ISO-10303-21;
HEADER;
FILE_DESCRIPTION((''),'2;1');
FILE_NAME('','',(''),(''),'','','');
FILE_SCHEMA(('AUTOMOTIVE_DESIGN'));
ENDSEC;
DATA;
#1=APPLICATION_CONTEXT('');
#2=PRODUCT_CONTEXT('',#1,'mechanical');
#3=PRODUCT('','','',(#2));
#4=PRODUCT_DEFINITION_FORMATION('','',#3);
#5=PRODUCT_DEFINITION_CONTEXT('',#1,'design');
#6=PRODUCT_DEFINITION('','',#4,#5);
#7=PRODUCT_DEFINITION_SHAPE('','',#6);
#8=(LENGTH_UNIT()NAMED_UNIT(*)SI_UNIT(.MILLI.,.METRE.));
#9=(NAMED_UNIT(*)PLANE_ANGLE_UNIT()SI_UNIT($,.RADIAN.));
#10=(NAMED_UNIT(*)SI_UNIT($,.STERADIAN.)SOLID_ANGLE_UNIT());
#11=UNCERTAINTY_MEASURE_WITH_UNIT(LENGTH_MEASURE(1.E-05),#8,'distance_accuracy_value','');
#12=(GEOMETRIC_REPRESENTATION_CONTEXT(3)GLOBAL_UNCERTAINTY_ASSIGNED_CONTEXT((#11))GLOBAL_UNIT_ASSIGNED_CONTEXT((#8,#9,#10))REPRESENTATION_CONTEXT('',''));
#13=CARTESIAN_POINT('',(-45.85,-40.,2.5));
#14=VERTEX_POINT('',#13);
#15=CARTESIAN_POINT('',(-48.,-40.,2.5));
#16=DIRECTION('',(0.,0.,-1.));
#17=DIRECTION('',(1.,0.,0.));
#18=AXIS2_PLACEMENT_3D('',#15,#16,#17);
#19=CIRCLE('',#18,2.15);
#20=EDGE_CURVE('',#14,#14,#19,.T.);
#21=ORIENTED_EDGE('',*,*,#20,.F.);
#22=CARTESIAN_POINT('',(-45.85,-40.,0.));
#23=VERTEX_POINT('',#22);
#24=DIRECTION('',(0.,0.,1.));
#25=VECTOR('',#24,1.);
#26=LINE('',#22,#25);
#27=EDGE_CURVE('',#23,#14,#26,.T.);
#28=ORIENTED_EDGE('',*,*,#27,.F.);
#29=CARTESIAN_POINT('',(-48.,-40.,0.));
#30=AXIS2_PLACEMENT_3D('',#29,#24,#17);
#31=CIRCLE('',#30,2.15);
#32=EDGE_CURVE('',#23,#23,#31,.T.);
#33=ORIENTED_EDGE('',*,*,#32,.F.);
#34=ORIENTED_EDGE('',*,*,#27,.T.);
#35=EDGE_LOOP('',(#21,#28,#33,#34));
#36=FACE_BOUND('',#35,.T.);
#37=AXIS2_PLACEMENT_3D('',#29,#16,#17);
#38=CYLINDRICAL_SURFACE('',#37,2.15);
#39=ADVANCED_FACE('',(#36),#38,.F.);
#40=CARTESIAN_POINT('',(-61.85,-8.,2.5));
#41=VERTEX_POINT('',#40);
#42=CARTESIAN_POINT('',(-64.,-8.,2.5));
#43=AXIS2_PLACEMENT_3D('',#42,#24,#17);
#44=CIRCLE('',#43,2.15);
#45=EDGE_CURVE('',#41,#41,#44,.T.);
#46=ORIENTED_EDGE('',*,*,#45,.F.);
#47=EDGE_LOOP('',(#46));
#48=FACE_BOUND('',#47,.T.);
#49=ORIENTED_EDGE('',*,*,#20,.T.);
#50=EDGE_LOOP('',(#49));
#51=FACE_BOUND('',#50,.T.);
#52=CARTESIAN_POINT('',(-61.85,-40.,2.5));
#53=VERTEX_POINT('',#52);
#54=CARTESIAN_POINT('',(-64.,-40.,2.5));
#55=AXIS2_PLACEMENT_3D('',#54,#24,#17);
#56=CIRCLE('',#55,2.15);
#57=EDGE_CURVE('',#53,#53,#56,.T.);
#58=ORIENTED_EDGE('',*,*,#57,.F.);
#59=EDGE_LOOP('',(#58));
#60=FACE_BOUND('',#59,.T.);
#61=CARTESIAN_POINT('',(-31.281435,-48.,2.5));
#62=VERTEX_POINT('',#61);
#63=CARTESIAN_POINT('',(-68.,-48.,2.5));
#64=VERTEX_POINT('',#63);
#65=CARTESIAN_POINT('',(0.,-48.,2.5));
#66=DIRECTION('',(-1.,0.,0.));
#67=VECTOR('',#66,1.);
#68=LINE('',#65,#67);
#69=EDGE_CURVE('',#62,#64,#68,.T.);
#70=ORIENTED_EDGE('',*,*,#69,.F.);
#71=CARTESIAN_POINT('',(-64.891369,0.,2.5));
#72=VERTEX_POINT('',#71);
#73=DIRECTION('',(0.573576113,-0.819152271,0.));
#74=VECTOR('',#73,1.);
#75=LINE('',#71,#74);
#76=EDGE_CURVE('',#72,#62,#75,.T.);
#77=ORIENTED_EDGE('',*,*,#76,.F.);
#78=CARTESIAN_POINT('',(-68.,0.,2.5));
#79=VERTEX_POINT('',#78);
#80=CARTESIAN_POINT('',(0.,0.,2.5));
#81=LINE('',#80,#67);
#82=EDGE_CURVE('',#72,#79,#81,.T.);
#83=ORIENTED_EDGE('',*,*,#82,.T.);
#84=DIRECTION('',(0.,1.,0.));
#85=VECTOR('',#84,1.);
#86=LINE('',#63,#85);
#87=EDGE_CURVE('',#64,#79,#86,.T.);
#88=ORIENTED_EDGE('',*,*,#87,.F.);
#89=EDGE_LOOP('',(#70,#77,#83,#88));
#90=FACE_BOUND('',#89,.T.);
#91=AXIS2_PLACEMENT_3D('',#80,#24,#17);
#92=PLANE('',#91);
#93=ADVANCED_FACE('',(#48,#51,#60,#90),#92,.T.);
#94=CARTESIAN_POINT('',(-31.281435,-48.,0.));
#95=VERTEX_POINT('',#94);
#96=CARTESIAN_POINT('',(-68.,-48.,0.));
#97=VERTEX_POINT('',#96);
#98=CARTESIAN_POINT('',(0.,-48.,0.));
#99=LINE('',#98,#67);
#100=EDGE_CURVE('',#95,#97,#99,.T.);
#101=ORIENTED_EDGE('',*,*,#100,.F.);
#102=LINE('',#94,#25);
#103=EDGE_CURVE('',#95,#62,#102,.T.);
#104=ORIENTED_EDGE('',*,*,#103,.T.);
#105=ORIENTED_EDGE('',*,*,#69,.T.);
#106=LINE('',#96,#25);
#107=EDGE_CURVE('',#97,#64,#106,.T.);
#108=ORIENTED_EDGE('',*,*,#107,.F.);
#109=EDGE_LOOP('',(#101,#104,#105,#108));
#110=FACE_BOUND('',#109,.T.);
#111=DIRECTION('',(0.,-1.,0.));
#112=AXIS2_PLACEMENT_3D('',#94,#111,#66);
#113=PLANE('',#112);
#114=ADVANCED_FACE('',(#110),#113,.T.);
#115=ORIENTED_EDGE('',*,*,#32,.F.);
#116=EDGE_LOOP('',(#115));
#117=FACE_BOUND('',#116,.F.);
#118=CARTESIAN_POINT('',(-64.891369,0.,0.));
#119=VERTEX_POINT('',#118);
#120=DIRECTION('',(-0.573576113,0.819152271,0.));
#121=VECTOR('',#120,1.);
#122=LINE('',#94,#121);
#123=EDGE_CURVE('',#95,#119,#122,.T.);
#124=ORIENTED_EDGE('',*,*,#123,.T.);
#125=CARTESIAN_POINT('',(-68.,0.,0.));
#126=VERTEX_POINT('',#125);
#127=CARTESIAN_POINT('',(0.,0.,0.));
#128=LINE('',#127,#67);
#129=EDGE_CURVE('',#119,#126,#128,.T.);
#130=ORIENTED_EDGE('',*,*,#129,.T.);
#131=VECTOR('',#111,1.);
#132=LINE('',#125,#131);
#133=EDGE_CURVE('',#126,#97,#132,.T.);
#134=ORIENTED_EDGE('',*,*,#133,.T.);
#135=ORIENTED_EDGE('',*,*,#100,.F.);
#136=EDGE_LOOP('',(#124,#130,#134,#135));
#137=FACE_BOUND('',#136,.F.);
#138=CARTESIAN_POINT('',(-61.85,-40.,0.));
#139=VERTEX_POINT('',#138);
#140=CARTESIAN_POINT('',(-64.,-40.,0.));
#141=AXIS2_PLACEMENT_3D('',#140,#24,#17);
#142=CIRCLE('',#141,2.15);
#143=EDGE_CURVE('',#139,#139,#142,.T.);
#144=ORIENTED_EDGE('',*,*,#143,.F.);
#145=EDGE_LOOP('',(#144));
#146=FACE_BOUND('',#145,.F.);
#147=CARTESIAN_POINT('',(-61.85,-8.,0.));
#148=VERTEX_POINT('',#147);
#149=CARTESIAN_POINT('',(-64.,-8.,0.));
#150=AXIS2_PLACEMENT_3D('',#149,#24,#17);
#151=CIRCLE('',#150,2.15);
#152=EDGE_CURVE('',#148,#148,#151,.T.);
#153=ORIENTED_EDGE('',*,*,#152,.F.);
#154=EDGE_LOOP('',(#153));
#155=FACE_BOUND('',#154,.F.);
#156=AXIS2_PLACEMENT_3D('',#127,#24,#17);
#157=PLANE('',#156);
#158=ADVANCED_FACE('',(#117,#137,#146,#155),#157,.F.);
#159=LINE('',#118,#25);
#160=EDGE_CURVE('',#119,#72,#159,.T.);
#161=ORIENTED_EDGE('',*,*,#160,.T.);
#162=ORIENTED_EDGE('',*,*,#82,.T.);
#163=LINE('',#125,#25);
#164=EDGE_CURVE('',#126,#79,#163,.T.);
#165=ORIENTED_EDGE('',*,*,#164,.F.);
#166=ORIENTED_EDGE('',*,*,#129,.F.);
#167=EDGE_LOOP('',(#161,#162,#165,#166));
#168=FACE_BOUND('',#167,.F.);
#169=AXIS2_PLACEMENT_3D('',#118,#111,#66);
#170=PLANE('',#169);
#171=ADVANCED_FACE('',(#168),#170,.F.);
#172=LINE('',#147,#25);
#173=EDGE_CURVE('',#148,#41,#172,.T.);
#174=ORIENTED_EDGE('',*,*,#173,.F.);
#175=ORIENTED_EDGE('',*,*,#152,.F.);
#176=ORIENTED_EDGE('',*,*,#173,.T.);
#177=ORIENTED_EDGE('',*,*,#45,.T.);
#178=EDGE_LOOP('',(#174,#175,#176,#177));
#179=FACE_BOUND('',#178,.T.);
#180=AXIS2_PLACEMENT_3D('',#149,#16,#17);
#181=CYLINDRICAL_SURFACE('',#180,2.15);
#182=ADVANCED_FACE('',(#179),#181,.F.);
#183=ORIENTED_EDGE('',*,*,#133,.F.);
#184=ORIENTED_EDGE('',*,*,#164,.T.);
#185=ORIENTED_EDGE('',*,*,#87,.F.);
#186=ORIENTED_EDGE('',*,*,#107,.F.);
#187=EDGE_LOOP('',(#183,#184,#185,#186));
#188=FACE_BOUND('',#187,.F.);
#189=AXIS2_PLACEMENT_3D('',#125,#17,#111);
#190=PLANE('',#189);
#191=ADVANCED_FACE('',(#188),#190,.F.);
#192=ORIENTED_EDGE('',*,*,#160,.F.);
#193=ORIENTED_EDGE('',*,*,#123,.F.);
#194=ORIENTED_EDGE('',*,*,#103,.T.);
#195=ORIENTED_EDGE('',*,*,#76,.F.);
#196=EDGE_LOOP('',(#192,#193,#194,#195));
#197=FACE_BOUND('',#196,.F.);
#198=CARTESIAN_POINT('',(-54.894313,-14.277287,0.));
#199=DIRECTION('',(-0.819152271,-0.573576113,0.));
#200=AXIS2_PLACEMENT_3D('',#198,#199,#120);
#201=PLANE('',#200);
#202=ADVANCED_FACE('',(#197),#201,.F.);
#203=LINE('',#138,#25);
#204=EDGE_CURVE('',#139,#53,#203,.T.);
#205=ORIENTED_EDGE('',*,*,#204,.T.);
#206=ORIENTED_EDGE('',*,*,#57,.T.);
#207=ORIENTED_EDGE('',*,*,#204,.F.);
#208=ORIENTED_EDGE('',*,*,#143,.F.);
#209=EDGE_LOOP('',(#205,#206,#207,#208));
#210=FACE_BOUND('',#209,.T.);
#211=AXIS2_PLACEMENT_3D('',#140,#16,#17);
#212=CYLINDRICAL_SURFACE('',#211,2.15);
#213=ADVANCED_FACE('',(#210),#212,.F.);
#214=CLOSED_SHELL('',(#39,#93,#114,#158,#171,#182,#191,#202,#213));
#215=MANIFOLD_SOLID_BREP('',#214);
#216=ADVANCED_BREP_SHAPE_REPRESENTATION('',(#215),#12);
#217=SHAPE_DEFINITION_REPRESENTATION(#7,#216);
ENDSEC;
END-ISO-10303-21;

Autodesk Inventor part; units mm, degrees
ref_plane "YZ Plane" through (0, 0, 0) normal (1, 0, 0) x (0, 1, 0)
ref_plane "XZ Plane" through (0, 0, 0) normal (0, 1, 0) x (-1, 0, 0)
ref_plane "XY Plane" through (0, 0, 0) normal (0, 0, 1) x (1, 0, 0)
sketch "Sketch1" plane through (0, 0, 0) normal (0, 0, 1) x (1, 0, 0)
  line L0 (0, 0) -> (-96, 0) projected
  line L1 (-96, 0) -> (-96, -48) projected
  line L2 (0, -48) -> (-96, -48) projected
  line L3 (0, 0) -> (0, -48) projected
  line L4 (-31.0711, -33.8995) -> (-30.5858, -33.4142) projected
  arc A0 (-33.8995, -31.0711) -> (-31.0711, -33.8995) centre (-32.4853, -32.4853) ccw projected
  line L5 (-33.8995, -31.0711) -> (-33.4142, -30.5858) projected
  arc A1 (-30.5858, -33.4142) -> (-33.4142, -30.5858) centre (-32, -32) ccw projected
  circle A2 centre (-16, -40) radius 2 projected
  circle A3 centre (-32, -40) radius 2 projected
  arc A4 (-38.5858, -30.5858) -> (-41.4142, -33.4142) centre (-40, -32) ccw projected
  line L6 (-38.1005, -31.0711) -> (-38.5858, -30.5858) projected
  arc A5 (-40.9289, -33.8995) -> (-38.1005, -31.0711) centre (-39.5147, -32.4853) ccw projected
  line L7 (-40.9289, -33.8995) -> (-41.4142, -33.4142) projected
  arc A6 (-41.4142, -14.5858) -> (-38.5858, -17.4142) centre (-40, -16) ccw projected
  line L8 (-40.9289, -14.1005) -> (-41.4142, -14.5858) projected
  arc A7 (-38.1005, -16.9289) -> (-40.9289, -14.1005) centre (-39.5147, -15.5147) ccw projected
  line L9 (-38.1005, -16.9289) -> (-38.5858, -17.4142) projected
  circle A8 centre (-40, -8) radius 2 projected
  arc A9 (-9.4142, -17.4142) -> (-6.5858, -14.5858) centre (-8, -16) ccw projected
  line L10 (-9.8995, -16.9289) -> (-9.4142, -17.4142) projected
  arc A10 (-7.0711, -14.1005) -> (-9.8995, -16.9289) centre (-8.4853, -15.5147) ccw projected
  line L11 (-7.0711, -14.1005) -> (-6.5858, -14.5858) projected
  circle A11 centre (-24, -24) radius 7 projected
  line L12 (-22, -8) -> (-22, -12.6863) projected
  arc A12 (-26, -12.6863) -> (-22, -12.6863) centre (-24, -12.6863) ccw projected
  line L13 (-26, -8) -> (-26, -12.6863) projected
  arc A13 (-22, -8) -> (-26, -8) centre (-24, -8) ccw projected
  line L14 (-11.3137, -26) -> (-12.6863, -26) projected
  arc A14 (-12.6863, -22) -> (-12.6863, -26) centre (-12.6863, -24) ccw projected
  line L15 (-12.6863, -22) -> (-11.3137, -22) projected
  arc A15 (-11.3137, -26) -> (-11.3137, -22) centre (-11.3137, -24) ccw projected
  line L16 (-26, -40) -> (-26, -35.3137) projected
  arc A16 (-22, -35.3137) -> (-26, -35.3137) centre (-24, -35.3137) ccw projected
  line L17 (-22, -40) -> (-22, -35.3137) projected
  arc A17 (-26, -40) -> (-22, -40) centre (-24, -40) ccw projected
  line L18 (-36.6863, -22) -> (-35.3137, -22) projected
  arc A18 (-35.3137, -26) -> (-35.3137, -22) centre (-35.3137, -24) ccw projected
  line L19 (-35.3137, -26) -> (-36.6863, -26) projected
  arc A19 (-36.6863, -22) -> (-36.6863, -26) centre (-36.6863, -24) ccw projected
  circle A20 centre (-16, -8) radius 2 projected
  circle A21 centre (-8, -8) radius 2 projected
  arc A22 (-6.5858, -33.4142) -> (-9.4142, -30.5858) centre (-8, -32) ccw projected
  line L20 (-7.0711, -33.8995) -> (-6.5858, -33.4142) projected
  arc A23 (-9.8995, -31.0711) -> (-7.0711, -33.8995) centre (-8.4853, -32.4853) ccw projected
  line L21 (-9.8995, -31.0711) -> (-9.4142, -30.5858) projected
  circle A24 centre (-8, -40) radius 2 projected
  circle A25 centre (-32, -8) radius 2 projected
  circle A26 centre (-40, -40) radius 2 projected
  line L22 (-14.1005, -31.0711) -> (-14.5858, -30.5858) projected
  arc A27 (-16.9289, -33.8995) -> (-14.1005, -31.0711) centre (-15.5147, -32.4853) ccw projected
  line L23 (-16.9289, -33.8995) -> (-17.4142, -33.4142) projected
  arc A28 (-14.5858, -30.5858) -> (-17.4142, -33.4142) centre (-16, -32) ccw projected
  arc A29 (-17.4142, -14.5858) -> (-14.5858, -17.4142) centre (-16, -16) ccw projected
  line L24 (-16.9289, -14.1005) -> (-17.4142, -14.5858) projected
  arc A30 (-14.1005, -16.9289) -> (-16.9289, -14.1005) centre (-15.5147, -15.5147) ccw projected
  line L25 (-14.1005, -16.9289) -> (-14.5858, -17.4142) projected
  line L26 (-31.0711, -14.1005) -> (-30.5858, -14.5858) projected
  arc A31 (-33.4142, -17.4142) -> (-30.5858, -14.5858) centre (-32, -16) ccw projected
  line L27 (-33.8995, -16.9289) -> (-33.4142, -17.4142) projected
  arc A32 (-31.0711, -14.1005) -> (-33.8995, -16.9289) centre (-32.4853, -15.5147) ccw projected
  line L28 (-79.0711, -14.1005) -> (-78.5858, -14.5858) projected
  arc A33 (-81.4142, -17.4142) -> (-78.5858, -14.5858) centre (-80, -16) ccw projected
  line L29 (-81.8995, -16.9289) -> (-81.4142, -17.4142) projected
  arc A34 (-79.0711, -14.1005) -> (-81.8995, -16.9289) centre (-80.4853, -15.5147) ccw projected
  circle A35 centre (-88, -40) radius 2 projected
  circle A36 centre (-80, -8) radius 2 projected
  line L30 (-84.6863, -22) -> (-83.3137, -22) projected
  arc A37 (-83.3137, -26) -> (-83.3137, -22) centre (-83.3137, -24) ccw projected
  line L31 (-83.3137, -26) -> (-84.6863, -26) projected
  arc A38 (-84.6863, -22) -> (-84.6863, -26) centre (-84.6863, -24) ccw projected
  line L32 (-74, -40) -> (-74, -35.3137) projected
  arc A39 (-70, -35.3137) -> (-74, -35.3137) centre (-72, -35.3137) ccw projected
  line L33 (-70, -40) -> (-70, -35.3137) projected
  arc A40 (-74, -40) -> (-70, -40) centre (-72, -40) ccw projected
  line L34 (-70, -8) -> (-70, -12.6863) projected
  arc A41 (-74, -12.6863) -> (-70, -12.6863) centre (-72, -12.6863) ccw projected
  line L35 (-74, -8) -> (-74, -12.6863) projected
  arc A42 (-70, -8) -> (-74, -8) centre (-72, -8) ccw projected
  circle A43 centre (-72, -24) radius 7 projected
  circle A44 centre (-88, -8) radius 2 projected
  arc A45 (-89.4142, -14.5858) -> (-86.5858, -17.4142) centre (-88, -16) ccw projected
  line L36 (-88.9289, -14.1005) -> (-89.4142, -14.5858) projected
  arc A46 (-86.1005, -16.9289) -> (-88.9289, -14.1005) centre (-87.5147, -15.5147) ccw projected
  line L37 (-86.1005, -16.9289) -> (-86.5858, -17.4142) projected
  arc A47 (-86.5858, -30.5858) -> (-89.4142, -33.4142) centre (-88, -32) ccw projected
  line L38 (-86.1005, -31.0711) -> (-86.5858, -30.5858) projected
  arc A48 (-88.9289, -33.8995) -> (-86.1005, -31.0711) centre (-87.5147, -32.4853) ccw projected
  line L39 (-88.9289, -33.8995) -> (-89.4142, -33.4142) projected
  circle A49 centre (-80, -40) radius 2 projected
  line L40 (-79.0711, -33.8995) -> (-78.5858, -33.4142) projected
  arc A50 (-81.8995, -31.0711) -> (-79.0711, -33.8995) centre (-80.4853, -32.4853) ccw projected
  line L41 (-81.8995, -31.0711) -> (-81.4142, -30.5858) projected
  arc A51 (-78.5858, -33.4142) -> (-81.4142, -30.5858) centre (-80, -32) ccw projected
  line L42 (-55.0711, -14.1005) -> (-54.5858, -14.5858) projected
  arc A52 (-57.4142, -17.4142) -> (-54.5858, -14.5858) centre (-56, -16) ccw projected
  line L43 (-57.8995, -16.9289) -> (-57.4142, -17.4142) projected
  arc A53 (-55.0711, -14.1005) -> (-57.8995, -16.9289) centre (-56.4853, -15.5147) ccw projected
  circle A54 centre (-64, -40) radius 2 projected
  circle A55 centre (-56, -8) radius 2 projected
  line L44 (-60.6863, -22) -> (-59.3137, -22) projected
  arc A56 (-59.3137, -26) -> (-59.3137, -22) centre (-59.3137, -24) ccw projected
  line L45 (-59.3137, -26) -> (-60.6863, -26) projected
  arc A57 (-60.6863, -22) -> (-60.6863, -26) centre (-60.6863, -24) ccw projected
  line L46 (-50, -40) -> (-50, -35.3137) projected
  arc A58 (-46, -35.3137) -> (-50, -35.3137) centre (-48, -35.3137) ccw projected
  line L47 (-46, -40) -> (-46, -35.3137) projected
  arc A59 (-50, -40) -> (-46, -40) centre (-48, -40) ccw projected
  line L48 (-46, -8) -> (-46, -12.6863) projected
  arc A60 (-50, -12.6863) -> (-46, -12.6863) centre (-48, -12.6863) ccw projected
  line L49 (-50, -8) -> (-50, -12.6863) projected
  arc A61 (-46, -8) -> (-50, -8) centre (-48, -8) ccw projected
  circle A62 centre (-48, -24) radius 7 projected
  circle A63 centre (-64, -8) radius 2 projected
  arc A64 (-65.4142, -14.5858) -> (-62.5858, -17.4142) centre (-64, -16) ccw projected
  line L50 (-64.9289, -14.1005) -> (-65.4142, -14.5858) projected
  arc A65 (-62.1005, -16.9289) -> (-64.9289, -14.1005) centre (-63.5147, -15.5147) ccw projected
  line L51 (-62.1005, -16.9289) -> (-62.5858, -17.4142) projected
  arc A66 (-62.5858, -30.5858) -> (-65.4142, -33.4142) centre (-64, -32) ccw projected
  line L52 (-62.1005, -31.0711) -> (-62.5858, -30.5858) projected
  arc A67 (-64.9289, -33.8995) -> (-62.1005, -31.0711) centre (-63.5147, -32.4853) ccw projected
  line L53 (-64.9289, -33.8995) -> (-65.4142, -33.4142) projected
  circle A68 centre (-56, -40) radius 2 projected
  line L54 (-55.0711, -33.8995) -> (-54.5858, -33.4142) projected
  arc A69 (-57.8995, -31.0711) -> (-55.0711, -33.8995) centre (-56.4853, -32.4853) ccw projected
  line L55 (-57.8995, -31.0711) -> (-57.4142, -30.5858) projected
  arc A70 (-54.5858, -33.4142) -> (-57.4142, -30.5858) centre (-56, -32) ccw projected
  line L56 (6.0209, -101.2733) -> (-90.3399, 36.3443) projected
  line L57 (-68, 0) -> (-68, -48)
  circle A71 centre (-64, -8) radius 2.15
  circle A72 centre (-64, -40) radius 2.15
  circle A73 centre (-48, -40) radius 2
  circle A74 centre (-48, -40) radius 2.15
  point P0 (-64.8914, 0)
  point P1 (-31.2814, -48)
  dimension "d0" = 4
  dimension "d3" = 0.15
  dimension "d4" = 0.15
  dimension "d5" = 0.15
extrude "Extrusion1" add sketch "Sketch1" along normal blind 2.5 contours L0 L56 L42 A53 L43 A52 A62 L2 L57 A43 | A43 L57 | L56 A52 L43 A53 L42 | L56 A62 | A26 | L44 A56 L45 A57 | L46 A58 L47 A74 | L50 A65 L51 A64 | L52 A67 L53 A66 | A68 | A69 L55 A70 L54 picked at (-67.5821, -25.5419) picked at (-50.3108, -23.4962)
sketch "Sketch2" plane through (-64.8914, 0, 2.5) normal (0.8192, 0.5736, 0) x (0, 0, -1)
  line L0 (2.5, -58.5972) -> (2.5, 0) projected
  line L1 (2.5, 0) -> (0, 0) projected
  line L2 (0, -58.5972) -> (0, 0) projected
  line L3 (2.5, -58.5972) -> (0, -58.5972) projected
  line L4 (-26.6333, 19.2846) -> (36.9911, 19.2846)
  line L5 (36.9911, 19.2846) -> (36.9911, -71.9639)
  line L6 (36.9911, -71.9639) -> (-26.6333, -71.9639)
  line L7 (-26.6333, -71.9639) -> (-26.6333, 19.2846)
  point P0 (2.5, -37.2202)
properties part number "shooter guid"
